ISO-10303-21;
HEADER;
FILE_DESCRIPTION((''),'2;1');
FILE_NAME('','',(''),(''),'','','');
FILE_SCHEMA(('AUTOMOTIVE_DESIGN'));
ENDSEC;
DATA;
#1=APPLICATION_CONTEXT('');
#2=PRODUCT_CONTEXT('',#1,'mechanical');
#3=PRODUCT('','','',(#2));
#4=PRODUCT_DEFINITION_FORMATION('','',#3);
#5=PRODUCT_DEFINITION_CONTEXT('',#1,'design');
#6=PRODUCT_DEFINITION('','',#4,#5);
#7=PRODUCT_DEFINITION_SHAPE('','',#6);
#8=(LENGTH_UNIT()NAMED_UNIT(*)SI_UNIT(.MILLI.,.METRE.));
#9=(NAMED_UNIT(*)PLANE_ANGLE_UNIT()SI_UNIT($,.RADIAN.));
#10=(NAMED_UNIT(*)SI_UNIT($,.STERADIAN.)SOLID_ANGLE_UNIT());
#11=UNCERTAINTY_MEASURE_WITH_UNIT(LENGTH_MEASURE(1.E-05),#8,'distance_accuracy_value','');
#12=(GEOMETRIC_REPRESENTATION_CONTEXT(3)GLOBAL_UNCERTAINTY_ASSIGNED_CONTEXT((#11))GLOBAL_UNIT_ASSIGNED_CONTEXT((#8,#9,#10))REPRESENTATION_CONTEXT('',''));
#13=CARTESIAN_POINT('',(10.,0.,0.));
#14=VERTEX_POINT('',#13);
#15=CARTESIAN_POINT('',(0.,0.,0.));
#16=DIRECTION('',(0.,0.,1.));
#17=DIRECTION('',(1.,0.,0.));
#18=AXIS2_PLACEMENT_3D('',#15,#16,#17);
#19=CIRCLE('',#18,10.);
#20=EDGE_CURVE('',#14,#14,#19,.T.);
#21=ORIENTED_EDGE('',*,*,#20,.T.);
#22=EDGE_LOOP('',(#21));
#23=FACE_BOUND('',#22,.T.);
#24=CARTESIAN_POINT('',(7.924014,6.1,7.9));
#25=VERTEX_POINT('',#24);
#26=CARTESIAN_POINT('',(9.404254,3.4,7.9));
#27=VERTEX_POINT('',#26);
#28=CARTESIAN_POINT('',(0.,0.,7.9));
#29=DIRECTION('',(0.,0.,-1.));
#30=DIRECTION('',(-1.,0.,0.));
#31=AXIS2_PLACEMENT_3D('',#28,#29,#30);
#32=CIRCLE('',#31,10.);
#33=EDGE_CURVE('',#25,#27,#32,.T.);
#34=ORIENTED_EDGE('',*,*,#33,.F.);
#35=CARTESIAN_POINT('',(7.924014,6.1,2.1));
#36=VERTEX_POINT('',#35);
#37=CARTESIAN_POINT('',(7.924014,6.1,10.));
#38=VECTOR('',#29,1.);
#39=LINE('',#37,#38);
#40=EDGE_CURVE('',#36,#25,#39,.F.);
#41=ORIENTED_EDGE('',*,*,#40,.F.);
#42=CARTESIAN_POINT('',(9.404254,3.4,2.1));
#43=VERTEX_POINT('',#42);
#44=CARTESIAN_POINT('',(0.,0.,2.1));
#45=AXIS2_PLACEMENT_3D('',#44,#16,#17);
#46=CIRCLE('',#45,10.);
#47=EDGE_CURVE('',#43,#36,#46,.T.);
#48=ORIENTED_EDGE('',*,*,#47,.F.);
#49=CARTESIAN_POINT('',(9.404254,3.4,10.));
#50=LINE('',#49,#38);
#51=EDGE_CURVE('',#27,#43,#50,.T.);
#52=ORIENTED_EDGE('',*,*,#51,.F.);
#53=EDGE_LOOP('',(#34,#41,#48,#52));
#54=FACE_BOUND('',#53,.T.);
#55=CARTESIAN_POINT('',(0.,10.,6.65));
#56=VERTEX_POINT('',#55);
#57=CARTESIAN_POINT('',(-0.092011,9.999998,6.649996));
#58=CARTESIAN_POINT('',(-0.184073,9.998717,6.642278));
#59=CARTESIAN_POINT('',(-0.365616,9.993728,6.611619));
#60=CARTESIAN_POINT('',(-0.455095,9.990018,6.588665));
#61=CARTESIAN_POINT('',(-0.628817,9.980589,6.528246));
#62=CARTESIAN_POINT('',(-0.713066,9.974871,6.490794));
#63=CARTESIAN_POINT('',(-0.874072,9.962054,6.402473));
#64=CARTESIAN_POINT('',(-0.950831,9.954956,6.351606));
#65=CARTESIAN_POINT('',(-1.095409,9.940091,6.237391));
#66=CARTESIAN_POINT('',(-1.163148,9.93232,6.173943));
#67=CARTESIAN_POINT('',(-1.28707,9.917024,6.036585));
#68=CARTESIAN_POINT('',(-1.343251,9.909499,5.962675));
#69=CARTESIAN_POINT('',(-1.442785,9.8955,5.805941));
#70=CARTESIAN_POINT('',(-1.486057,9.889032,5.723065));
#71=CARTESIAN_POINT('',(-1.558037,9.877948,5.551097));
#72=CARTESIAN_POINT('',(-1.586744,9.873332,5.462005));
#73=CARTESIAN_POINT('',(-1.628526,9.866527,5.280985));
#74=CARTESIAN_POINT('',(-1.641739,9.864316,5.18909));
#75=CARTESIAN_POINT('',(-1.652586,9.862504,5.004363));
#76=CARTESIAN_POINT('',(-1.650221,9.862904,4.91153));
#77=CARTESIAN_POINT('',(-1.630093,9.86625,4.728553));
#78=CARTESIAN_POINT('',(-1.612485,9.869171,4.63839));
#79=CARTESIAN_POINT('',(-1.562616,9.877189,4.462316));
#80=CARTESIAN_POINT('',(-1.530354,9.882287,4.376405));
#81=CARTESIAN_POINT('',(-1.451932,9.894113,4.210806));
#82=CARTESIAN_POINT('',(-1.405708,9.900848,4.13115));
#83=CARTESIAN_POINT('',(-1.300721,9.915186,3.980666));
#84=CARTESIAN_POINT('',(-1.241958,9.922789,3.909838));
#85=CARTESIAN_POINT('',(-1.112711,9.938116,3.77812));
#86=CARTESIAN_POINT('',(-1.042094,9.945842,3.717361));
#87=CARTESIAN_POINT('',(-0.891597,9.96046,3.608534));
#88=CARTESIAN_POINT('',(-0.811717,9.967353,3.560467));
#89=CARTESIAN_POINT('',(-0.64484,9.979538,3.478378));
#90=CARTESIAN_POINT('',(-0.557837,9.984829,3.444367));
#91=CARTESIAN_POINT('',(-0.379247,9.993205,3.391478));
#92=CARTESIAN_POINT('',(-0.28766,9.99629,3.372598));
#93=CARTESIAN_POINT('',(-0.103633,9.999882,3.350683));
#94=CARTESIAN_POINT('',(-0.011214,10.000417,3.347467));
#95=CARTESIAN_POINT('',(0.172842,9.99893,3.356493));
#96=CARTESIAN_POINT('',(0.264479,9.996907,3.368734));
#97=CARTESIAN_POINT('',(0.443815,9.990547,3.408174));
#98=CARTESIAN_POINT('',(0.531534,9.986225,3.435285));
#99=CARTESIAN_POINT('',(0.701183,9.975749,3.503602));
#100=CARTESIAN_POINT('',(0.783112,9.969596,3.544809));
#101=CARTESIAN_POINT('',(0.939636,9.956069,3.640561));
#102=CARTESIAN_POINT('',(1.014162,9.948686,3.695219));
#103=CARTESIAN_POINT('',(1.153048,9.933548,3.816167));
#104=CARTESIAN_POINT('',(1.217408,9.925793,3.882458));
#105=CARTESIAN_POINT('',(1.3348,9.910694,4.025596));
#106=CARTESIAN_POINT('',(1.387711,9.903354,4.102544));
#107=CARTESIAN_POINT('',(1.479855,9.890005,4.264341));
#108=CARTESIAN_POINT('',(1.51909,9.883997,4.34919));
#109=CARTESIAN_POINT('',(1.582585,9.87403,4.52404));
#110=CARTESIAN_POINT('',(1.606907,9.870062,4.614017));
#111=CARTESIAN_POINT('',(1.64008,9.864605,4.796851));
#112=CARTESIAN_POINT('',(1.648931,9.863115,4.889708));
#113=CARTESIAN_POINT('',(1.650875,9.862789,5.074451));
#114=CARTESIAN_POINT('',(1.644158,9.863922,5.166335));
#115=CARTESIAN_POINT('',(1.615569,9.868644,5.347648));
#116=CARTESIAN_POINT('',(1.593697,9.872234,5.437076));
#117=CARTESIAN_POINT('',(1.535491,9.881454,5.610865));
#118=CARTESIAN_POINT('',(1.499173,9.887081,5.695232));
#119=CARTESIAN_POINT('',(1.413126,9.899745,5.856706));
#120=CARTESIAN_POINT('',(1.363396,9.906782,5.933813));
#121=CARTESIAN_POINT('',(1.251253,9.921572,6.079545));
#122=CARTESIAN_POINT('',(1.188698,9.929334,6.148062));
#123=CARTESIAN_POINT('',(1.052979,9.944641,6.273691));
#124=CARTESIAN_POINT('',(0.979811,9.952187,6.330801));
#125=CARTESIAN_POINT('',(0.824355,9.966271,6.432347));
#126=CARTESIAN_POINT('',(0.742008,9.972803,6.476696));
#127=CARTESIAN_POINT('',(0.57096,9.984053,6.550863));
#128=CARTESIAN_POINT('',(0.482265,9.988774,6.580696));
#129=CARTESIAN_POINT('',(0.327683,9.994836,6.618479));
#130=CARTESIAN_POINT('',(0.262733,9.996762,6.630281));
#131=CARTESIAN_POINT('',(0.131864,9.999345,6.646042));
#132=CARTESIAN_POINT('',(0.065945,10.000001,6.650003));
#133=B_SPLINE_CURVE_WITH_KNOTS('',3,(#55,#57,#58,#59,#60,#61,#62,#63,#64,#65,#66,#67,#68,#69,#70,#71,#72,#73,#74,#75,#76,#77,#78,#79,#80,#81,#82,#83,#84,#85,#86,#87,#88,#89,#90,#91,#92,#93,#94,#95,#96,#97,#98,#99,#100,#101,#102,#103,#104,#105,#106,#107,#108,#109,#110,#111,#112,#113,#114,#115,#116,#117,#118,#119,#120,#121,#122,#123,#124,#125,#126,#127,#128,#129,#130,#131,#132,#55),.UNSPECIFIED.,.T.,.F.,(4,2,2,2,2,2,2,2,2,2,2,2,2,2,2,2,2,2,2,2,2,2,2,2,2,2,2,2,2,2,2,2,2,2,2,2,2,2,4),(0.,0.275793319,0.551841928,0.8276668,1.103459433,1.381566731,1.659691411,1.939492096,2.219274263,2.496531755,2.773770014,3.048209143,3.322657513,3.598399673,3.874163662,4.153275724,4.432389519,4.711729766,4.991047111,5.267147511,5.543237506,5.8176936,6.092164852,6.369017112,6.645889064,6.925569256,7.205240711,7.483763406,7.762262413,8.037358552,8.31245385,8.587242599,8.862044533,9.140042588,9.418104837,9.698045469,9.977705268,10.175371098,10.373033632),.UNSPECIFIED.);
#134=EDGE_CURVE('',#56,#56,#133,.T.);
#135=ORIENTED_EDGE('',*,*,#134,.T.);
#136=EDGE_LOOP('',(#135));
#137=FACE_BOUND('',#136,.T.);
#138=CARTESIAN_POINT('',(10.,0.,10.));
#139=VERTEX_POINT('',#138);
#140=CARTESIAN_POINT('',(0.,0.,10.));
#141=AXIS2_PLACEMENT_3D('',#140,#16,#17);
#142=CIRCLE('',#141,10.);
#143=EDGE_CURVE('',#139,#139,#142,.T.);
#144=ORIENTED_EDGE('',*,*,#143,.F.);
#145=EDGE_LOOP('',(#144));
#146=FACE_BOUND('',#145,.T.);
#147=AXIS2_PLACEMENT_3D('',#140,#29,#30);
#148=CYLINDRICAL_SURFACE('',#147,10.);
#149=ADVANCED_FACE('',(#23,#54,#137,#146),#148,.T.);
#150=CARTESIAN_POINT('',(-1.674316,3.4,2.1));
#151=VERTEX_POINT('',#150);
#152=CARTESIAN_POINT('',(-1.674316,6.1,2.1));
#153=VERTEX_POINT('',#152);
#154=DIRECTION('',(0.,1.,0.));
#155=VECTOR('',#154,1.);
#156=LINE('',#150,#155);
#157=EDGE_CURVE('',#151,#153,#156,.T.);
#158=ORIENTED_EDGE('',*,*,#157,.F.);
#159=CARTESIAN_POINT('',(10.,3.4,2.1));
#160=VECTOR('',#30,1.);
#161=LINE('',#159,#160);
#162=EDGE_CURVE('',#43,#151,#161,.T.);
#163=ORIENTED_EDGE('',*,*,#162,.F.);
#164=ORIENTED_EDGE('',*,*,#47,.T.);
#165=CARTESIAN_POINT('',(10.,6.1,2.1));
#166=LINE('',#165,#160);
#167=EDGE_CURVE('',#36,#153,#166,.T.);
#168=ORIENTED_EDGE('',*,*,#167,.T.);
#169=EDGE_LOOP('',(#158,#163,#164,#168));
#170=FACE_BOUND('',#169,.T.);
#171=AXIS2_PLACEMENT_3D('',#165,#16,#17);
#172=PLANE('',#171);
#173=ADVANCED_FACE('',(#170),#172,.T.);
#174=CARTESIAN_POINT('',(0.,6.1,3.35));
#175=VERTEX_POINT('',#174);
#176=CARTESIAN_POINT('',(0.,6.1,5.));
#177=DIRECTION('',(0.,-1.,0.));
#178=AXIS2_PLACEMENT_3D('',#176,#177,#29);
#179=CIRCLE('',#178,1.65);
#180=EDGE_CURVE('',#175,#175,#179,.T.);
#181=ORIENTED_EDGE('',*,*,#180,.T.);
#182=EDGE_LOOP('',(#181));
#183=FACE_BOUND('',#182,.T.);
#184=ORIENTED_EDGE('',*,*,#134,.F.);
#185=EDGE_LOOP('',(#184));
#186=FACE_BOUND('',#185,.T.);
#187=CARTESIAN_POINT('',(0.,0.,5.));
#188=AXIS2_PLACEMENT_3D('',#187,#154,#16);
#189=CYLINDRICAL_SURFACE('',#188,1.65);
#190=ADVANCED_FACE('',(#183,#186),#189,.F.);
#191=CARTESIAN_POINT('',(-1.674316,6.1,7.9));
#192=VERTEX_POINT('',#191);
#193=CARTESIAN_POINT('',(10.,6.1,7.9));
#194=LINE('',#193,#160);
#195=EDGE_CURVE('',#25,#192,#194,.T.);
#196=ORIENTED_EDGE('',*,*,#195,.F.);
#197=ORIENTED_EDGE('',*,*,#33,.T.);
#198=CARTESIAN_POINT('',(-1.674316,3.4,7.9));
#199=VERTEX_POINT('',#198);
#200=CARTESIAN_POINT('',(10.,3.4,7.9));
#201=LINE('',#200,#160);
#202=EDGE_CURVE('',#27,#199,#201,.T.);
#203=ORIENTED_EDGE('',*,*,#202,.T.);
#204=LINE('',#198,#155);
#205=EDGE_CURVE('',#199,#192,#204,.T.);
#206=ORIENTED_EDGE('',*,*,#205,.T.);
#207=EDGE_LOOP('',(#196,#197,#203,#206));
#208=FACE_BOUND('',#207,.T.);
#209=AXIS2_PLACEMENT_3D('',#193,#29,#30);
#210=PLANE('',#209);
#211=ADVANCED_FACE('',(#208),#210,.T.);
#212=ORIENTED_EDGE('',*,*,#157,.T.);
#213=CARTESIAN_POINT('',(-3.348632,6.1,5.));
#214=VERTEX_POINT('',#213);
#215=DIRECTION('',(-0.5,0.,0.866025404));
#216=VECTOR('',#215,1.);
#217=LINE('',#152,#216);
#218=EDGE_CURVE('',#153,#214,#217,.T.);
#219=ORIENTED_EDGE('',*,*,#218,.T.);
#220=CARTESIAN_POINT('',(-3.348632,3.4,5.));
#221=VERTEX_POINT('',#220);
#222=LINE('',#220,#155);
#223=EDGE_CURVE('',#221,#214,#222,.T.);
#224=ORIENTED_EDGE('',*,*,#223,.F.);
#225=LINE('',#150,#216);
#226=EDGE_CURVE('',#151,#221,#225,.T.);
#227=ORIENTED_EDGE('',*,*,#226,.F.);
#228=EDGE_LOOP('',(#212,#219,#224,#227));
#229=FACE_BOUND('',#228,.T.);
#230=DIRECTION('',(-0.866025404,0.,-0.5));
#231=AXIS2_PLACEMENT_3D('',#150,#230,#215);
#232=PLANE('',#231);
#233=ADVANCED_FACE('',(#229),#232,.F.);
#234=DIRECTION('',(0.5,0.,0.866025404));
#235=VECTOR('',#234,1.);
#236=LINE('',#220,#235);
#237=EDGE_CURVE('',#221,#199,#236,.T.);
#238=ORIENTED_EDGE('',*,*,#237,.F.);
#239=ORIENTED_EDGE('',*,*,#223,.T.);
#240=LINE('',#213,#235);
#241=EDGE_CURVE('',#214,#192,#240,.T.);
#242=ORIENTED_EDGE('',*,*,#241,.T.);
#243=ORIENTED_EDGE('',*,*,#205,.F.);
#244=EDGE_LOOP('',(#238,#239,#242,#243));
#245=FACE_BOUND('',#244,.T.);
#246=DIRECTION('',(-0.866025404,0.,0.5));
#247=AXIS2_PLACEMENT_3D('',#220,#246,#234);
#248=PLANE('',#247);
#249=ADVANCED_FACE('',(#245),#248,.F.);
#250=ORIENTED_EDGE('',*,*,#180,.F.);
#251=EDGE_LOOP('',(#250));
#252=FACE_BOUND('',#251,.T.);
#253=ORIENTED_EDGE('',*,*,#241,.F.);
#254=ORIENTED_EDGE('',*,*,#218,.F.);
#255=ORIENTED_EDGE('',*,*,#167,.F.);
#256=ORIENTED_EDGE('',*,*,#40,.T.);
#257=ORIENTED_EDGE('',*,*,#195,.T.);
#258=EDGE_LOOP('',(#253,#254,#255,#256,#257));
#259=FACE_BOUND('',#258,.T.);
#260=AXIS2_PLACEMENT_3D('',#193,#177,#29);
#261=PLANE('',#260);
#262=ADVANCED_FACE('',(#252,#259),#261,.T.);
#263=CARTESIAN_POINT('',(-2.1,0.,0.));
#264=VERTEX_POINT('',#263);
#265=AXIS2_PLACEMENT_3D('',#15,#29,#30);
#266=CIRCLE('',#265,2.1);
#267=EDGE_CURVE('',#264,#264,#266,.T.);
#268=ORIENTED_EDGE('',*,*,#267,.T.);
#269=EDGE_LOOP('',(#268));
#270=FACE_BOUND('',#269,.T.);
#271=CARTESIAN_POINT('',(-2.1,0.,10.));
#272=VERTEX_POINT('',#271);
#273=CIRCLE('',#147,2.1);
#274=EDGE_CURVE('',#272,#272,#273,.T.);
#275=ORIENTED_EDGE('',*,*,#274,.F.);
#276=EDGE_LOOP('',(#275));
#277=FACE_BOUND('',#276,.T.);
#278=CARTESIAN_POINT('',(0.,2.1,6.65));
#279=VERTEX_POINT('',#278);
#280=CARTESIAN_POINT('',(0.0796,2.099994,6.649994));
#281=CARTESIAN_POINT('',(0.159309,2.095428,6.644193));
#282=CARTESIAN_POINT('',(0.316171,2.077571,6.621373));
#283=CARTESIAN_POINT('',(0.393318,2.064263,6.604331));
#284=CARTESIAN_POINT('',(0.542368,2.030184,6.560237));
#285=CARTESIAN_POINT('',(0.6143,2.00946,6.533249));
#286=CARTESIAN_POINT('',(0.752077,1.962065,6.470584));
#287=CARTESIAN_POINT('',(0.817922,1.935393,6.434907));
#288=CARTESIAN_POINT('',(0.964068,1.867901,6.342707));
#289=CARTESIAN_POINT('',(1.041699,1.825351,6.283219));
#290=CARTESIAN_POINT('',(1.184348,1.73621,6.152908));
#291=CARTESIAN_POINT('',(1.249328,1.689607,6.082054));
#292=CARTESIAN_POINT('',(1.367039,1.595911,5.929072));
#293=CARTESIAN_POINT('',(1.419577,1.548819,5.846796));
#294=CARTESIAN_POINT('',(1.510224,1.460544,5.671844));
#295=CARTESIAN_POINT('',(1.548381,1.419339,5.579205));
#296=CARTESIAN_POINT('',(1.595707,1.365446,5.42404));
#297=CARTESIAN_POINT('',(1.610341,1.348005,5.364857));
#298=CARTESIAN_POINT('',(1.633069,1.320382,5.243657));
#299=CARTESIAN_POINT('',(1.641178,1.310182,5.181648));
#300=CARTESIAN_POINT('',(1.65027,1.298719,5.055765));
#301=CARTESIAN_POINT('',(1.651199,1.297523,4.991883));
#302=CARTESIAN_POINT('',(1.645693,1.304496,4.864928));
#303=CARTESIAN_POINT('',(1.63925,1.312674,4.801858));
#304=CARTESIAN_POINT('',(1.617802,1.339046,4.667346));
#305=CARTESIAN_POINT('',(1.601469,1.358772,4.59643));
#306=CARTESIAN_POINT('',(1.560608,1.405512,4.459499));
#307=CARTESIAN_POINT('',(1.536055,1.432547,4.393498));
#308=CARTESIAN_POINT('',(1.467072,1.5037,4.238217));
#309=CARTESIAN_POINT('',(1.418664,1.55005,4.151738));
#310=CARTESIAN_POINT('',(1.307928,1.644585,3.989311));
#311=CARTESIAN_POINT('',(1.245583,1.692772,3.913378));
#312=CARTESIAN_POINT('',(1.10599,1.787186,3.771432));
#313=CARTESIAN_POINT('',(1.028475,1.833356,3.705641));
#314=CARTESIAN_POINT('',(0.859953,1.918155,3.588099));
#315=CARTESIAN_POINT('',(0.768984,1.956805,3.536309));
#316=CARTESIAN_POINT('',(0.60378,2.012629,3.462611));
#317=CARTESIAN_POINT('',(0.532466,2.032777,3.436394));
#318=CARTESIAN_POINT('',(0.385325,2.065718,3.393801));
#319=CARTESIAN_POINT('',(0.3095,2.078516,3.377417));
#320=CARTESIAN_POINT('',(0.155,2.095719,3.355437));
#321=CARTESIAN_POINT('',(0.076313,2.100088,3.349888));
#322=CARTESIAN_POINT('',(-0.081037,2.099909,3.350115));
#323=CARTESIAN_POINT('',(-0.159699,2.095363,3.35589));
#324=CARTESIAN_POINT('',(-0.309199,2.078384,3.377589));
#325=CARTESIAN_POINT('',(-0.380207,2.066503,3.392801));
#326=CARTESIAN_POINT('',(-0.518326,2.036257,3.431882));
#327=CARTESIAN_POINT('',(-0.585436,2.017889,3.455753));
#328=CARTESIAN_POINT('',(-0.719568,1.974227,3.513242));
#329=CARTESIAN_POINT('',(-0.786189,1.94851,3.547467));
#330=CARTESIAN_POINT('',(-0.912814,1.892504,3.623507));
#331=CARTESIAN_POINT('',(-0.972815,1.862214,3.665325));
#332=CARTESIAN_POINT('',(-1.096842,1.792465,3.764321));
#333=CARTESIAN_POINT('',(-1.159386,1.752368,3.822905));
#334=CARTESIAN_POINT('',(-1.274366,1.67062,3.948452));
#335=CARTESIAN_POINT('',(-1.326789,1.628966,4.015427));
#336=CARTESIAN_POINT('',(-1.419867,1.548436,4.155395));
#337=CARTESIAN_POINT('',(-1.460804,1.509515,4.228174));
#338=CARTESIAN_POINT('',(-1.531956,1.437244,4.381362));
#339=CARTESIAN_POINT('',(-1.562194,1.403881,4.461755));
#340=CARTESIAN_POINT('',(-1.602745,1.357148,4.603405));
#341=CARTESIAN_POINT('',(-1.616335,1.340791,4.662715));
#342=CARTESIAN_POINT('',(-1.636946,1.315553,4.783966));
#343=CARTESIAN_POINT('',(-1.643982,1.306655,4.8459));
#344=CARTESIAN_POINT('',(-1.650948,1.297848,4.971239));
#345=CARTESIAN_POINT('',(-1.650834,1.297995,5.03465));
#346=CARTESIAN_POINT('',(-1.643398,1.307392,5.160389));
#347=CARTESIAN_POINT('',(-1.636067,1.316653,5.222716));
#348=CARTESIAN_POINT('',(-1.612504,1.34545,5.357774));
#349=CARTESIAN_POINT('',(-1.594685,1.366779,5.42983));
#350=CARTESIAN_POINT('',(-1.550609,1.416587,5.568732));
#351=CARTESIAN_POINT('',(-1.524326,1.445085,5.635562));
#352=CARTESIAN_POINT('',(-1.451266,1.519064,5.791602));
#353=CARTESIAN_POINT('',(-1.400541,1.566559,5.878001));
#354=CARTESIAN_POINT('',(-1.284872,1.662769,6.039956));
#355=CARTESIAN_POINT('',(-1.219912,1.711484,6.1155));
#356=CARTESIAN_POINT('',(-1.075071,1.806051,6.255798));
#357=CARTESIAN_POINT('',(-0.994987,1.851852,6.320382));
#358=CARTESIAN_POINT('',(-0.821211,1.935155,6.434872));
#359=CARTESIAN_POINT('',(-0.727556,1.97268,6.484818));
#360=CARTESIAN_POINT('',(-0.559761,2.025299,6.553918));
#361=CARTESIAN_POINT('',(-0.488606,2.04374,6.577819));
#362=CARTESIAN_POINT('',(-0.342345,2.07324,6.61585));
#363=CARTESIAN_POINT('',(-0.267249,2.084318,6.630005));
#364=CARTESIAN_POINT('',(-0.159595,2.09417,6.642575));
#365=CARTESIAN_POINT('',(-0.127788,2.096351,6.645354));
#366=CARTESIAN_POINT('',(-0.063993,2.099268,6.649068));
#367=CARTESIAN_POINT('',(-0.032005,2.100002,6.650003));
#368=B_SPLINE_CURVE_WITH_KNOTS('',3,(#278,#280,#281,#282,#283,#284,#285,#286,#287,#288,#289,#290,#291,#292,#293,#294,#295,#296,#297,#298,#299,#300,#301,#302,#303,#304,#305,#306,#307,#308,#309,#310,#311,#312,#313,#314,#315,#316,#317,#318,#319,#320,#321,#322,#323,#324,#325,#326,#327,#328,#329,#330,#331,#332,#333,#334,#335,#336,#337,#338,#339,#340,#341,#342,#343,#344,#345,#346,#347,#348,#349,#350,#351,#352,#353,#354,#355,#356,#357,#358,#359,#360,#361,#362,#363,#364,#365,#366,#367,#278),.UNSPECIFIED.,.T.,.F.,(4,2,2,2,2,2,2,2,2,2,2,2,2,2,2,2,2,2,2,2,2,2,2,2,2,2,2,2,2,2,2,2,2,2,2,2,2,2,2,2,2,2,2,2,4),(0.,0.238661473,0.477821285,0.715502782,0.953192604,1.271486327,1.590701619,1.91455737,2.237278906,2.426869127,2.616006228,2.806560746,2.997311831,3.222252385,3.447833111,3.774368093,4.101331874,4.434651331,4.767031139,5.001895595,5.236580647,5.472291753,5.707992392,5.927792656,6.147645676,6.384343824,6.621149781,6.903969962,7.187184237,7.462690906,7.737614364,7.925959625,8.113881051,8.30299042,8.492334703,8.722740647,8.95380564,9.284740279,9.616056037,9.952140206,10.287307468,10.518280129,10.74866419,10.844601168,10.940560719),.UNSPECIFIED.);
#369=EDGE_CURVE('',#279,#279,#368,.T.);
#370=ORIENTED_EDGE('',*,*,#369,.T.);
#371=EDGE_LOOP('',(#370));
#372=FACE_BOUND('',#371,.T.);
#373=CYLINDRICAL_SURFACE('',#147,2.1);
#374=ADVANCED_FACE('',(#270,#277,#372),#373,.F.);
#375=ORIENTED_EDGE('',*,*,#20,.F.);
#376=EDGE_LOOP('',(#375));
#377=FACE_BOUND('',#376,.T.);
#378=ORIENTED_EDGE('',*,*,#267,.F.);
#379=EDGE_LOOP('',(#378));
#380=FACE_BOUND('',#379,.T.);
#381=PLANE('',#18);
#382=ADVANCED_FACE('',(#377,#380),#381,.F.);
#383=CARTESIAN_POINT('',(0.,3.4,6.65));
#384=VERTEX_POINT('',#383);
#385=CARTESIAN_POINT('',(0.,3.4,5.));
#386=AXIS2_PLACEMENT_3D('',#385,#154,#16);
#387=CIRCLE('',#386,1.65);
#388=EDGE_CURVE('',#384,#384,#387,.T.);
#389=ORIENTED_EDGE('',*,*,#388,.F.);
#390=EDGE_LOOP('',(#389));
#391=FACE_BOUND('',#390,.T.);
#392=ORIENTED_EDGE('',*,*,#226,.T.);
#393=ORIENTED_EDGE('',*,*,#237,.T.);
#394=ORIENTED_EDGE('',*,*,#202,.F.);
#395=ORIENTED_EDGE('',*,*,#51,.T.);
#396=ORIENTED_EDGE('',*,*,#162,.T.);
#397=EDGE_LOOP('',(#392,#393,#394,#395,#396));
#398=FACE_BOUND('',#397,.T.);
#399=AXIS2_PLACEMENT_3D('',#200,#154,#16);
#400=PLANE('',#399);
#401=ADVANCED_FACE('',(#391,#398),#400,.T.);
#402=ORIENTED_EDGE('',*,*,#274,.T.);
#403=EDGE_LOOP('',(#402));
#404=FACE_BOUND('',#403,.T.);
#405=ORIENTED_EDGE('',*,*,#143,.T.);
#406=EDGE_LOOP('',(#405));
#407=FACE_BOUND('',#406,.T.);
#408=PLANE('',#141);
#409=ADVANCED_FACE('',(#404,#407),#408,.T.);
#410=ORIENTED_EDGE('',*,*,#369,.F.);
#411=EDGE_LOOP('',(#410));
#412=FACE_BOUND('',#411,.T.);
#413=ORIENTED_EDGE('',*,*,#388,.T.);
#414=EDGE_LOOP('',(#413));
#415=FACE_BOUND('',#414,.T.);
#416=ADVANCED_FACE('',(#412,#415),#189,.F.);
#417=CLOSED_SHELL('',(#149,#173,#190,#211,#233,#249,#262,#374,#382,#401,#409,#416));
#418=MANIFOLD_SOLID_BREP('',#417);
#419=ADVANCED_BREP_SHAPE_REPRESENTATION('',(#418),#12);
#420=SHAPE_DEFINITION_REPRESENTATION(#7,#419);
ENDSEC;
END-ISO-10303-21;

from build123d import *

# Parameters (mm, degrees)
SKETCH_1_R          = 10
EXTRUDE_1_DEPTH     = 10
SKETCH_2_R          = 2.1
CUT_EXTRUDE_2_DEPTH = 10
CUT_EXTRUDE_3_DEPTH = 10
SKETCH_5_R          = 1.65
CUT_EXTRUDE_4_DEPTH = 10
CUT_EXTRUDE_START   = -3.9
CUT_EXTRUDE_5_DEPTH = 2.7


with BuildPart() as part:
    # Эскиз1 → Бобышка-Вытянуть1 (new body)
    with BuildSketch(Plane.XY):
        Circle(SKETCH_1_R)
    extrude(amount=EXTRUDE_1_DEPTH)

    # Эскиз2 → Вырез-Вытянуть2 (cut)
    with BuildSketch(Plane(origin=(0, 0, 0), x_dir=(-1, 0, 0), z_dir=(0, 0, -1))):
        Circle(SKETCH_2_R)
    extrude(amount=-CUT_EXTRUDE_2_DEPTH, mode=Mode.SUBTRACT)

    # Sketch 4 → Вырез-Вытянуть3 (cut)
    with BuildSketch(Plane(origin=(10, 6.1, 7.9), x_dir=(0, -0.42202958015785924, -0.9065820610798457), z_dir=(1, 0, 0))):
        Polygon((0, 0), (5.258175954, 2.447771565), (6.397655821, 0), (1.139479866, -2.447771565), align=None)
    extrude(amount=-CUT_EXTRUDE_3_DEPTH, mode=Mode.SUBTRACT)

    # Эскиз5 → Вырез-Вытянуть4 (cut)
    with BuildSketch(Plane(origin=(0, 10, 0), x_dir=(1, 0, 0), z_dir=(0, 1, 0))):
        with Locations(Location((0, -5, 0), (0, 0, 270))):
            Circle(SKETCH_5_R)
    extrude(amount=-CUT_EXTRUDE_4_DEPTH, mode=Mode.SUBTRACT)

    # Эскиз6 → Вырез-Вытянуть5 (cut)
    with BuildSketch(Plane(origin=(0, 10, 0), x_dir=(1, 0, 0), z_dir=(0, 1, 0)).offset(CUT_EXTRUDE_START)):
        Polygon((-1.674315781, -2.1), (-3.348631561, -5), (-1.674315781, -7.9), (1.674315781, -7.9), (3.348631561, -5), (1.674315781, -2.1), align=None)
    extrude(amount=-CUT_EXTRUDE_5_DEPTH, mode=Mode.SUBTRACT)


solid = part.part
